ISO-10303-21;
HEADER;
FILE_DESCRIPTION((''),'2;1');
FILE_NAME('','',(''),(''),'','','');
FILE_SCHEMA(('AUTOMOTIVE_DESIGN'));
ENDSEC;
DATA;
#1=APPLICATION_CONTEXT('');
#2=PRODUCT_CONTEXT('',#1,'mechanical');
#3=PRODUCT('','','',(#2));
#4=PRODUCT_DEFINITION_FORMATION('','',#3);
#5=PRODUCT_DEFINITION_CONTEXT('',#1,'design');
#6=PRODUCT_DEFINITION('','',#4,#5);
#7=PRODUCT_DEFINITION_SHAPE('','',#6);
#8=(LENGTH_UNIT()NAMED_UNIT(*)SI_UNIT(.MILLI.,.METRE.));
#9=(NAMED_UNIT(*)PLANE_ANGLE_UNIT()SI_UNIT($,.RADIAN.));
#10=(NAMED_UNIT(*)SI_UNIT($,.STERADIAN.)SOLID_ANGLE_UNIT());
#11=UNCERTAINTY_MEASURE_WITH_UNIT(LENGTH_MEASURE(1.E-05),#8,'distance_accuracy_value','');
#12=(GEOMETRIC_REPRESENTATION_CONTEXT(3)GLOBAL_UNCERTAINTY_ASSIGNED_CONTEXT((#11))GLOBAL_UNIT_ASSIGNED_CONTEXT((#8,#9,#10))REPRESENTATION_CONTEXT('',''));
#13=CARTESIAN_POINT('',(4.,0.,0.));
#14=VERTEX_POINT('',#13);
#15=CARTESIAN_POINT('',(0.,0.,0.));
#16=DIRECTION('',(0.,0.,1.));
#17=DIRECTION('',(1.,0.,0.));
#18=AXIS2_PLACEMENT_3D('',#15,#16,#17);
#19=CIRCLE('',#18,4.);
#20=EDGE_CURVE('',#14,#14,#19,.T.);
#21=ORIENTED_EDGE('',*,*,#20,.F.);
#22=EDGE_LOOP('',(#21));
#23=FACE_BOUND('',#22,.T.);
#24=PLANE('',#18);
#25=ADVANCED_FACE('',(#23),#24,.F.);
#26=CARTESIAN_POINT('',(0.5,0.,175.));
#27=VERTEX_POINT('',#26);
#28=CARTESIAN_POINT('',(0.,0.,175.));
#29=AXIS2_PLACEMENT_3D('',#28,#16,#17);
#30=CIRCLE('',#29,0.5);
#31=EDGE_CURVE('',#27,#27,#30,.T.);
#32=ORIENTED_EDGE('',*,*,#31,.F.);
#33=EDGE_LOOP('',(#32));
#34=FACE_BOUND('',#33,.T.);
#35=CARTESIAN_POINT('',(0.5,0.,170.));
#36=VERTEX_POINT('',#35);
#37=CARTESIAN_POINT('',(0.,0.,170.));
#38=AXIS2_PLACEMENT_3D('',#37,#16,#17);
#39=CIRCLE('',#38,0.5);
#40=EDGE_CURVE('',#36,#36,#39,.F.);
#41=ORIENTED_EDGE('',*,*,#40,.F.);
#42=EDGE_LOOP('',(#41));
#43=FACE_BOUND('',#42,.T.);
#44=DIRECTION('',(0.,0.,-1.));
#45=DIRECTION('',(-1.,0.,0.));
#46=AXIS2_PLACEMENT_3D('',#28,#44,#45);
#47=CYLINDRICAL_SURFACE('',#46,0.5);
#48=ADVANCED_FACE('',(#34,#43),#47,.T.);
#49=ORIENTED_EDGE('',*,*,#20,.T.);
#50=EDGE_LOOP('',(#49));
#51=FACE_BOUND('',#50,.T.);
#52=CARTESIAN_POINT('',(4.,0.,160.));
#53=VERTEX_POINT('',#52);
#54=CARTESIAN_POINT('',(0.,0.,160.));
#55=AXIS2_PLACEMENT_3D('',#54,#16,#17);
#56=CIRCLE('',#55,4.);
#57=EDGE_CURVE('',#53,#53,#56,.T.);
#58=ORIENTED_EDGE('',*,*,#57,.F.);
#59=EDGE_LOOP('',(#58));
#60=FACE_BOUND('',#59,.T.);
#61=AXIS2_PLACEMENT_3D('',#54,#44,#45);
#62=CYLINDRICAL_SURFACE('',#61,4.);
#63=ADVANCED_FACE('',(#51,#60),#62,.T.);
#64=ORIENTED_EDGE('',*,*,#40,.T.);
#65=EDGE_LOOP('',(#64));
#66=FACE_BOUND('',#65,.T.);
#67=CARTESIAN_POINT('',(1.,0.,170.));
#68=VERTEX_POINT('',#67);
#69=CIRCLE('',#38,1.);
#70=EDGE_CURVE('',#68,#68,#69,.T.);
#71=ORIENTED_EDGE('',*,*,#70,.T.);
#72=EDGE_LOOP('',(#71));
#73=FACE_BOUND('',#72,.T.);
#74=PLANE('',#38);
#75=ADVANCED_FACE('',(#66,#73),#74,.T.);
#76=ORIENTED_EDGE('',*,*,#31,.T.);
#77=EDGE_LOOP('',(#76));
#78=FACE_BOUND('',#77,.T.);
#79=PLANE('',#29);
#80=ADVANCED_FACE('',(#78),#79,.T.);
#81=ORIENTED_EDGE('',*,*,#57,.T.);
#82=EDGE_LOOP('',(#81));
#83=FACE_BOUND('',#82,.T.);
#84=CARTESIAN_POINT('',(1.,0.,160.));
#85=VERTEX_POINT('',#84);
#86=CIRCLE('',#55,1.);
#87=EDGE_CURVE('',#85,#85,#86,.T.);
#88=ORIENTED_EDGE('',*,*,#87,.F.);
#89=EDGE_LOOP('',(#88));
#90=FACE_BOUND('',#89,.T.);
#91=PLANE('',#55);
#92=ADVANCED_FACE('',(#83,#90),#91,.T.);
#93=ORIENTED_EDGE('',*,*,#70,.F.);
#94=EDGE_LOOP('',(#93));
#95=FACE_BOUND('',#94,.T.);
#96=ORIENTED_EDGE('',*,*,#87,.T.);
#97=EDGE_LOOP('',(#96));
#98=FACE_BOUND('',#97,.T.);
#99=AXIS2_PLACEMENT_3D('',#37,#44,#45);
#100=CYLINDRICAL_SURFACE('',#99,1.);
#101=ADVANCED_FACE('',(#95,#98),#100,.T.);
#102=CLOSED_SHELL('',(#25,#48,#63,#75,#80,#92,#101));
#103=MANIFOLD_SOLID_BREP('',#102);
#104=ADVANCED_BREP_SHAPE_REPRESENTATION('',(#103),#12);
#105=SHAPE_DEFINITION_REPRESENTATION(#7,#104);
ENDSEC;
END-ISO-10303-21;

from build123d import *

# Parameters (mm, degrees)
SKETCH1_R           = 4
BOSS_EXTRUDE1_DEPTH = 160
SKETCH2_R           = 1
BOSS_EXTRUDE2_DEPTH = 10
SKETCH2_3_R         = 0.5
BOSS_EXTRUDE3_DEPTH = 15


with BuildPart() as part:
    # Sketch1 → Boss-Extrude1 (new body)
    with BuildSketch(Plane.XY):
        Circle(SKETCH1_R)
    extrude(amount=BOSS_EXTRUDE1_DEPTH)

    # Sketch2 → Boss-Extrude2 (add)
    with BuildSketch(Plane.XY.offset(160)):
        Circle(SKETCH2_R)
    extrude(amount=BOSS_EXTRUDE2_DEPTH)

    # Sketch2<3> → Boss-Extrude3 (add)
    with BuildSketch(Plane.XY.offset(160)):
        Circle(SKETCH2_3_R)
    extrude(amount=BOSS_EXTRUDE3_DEPTH)


solid = part.part
